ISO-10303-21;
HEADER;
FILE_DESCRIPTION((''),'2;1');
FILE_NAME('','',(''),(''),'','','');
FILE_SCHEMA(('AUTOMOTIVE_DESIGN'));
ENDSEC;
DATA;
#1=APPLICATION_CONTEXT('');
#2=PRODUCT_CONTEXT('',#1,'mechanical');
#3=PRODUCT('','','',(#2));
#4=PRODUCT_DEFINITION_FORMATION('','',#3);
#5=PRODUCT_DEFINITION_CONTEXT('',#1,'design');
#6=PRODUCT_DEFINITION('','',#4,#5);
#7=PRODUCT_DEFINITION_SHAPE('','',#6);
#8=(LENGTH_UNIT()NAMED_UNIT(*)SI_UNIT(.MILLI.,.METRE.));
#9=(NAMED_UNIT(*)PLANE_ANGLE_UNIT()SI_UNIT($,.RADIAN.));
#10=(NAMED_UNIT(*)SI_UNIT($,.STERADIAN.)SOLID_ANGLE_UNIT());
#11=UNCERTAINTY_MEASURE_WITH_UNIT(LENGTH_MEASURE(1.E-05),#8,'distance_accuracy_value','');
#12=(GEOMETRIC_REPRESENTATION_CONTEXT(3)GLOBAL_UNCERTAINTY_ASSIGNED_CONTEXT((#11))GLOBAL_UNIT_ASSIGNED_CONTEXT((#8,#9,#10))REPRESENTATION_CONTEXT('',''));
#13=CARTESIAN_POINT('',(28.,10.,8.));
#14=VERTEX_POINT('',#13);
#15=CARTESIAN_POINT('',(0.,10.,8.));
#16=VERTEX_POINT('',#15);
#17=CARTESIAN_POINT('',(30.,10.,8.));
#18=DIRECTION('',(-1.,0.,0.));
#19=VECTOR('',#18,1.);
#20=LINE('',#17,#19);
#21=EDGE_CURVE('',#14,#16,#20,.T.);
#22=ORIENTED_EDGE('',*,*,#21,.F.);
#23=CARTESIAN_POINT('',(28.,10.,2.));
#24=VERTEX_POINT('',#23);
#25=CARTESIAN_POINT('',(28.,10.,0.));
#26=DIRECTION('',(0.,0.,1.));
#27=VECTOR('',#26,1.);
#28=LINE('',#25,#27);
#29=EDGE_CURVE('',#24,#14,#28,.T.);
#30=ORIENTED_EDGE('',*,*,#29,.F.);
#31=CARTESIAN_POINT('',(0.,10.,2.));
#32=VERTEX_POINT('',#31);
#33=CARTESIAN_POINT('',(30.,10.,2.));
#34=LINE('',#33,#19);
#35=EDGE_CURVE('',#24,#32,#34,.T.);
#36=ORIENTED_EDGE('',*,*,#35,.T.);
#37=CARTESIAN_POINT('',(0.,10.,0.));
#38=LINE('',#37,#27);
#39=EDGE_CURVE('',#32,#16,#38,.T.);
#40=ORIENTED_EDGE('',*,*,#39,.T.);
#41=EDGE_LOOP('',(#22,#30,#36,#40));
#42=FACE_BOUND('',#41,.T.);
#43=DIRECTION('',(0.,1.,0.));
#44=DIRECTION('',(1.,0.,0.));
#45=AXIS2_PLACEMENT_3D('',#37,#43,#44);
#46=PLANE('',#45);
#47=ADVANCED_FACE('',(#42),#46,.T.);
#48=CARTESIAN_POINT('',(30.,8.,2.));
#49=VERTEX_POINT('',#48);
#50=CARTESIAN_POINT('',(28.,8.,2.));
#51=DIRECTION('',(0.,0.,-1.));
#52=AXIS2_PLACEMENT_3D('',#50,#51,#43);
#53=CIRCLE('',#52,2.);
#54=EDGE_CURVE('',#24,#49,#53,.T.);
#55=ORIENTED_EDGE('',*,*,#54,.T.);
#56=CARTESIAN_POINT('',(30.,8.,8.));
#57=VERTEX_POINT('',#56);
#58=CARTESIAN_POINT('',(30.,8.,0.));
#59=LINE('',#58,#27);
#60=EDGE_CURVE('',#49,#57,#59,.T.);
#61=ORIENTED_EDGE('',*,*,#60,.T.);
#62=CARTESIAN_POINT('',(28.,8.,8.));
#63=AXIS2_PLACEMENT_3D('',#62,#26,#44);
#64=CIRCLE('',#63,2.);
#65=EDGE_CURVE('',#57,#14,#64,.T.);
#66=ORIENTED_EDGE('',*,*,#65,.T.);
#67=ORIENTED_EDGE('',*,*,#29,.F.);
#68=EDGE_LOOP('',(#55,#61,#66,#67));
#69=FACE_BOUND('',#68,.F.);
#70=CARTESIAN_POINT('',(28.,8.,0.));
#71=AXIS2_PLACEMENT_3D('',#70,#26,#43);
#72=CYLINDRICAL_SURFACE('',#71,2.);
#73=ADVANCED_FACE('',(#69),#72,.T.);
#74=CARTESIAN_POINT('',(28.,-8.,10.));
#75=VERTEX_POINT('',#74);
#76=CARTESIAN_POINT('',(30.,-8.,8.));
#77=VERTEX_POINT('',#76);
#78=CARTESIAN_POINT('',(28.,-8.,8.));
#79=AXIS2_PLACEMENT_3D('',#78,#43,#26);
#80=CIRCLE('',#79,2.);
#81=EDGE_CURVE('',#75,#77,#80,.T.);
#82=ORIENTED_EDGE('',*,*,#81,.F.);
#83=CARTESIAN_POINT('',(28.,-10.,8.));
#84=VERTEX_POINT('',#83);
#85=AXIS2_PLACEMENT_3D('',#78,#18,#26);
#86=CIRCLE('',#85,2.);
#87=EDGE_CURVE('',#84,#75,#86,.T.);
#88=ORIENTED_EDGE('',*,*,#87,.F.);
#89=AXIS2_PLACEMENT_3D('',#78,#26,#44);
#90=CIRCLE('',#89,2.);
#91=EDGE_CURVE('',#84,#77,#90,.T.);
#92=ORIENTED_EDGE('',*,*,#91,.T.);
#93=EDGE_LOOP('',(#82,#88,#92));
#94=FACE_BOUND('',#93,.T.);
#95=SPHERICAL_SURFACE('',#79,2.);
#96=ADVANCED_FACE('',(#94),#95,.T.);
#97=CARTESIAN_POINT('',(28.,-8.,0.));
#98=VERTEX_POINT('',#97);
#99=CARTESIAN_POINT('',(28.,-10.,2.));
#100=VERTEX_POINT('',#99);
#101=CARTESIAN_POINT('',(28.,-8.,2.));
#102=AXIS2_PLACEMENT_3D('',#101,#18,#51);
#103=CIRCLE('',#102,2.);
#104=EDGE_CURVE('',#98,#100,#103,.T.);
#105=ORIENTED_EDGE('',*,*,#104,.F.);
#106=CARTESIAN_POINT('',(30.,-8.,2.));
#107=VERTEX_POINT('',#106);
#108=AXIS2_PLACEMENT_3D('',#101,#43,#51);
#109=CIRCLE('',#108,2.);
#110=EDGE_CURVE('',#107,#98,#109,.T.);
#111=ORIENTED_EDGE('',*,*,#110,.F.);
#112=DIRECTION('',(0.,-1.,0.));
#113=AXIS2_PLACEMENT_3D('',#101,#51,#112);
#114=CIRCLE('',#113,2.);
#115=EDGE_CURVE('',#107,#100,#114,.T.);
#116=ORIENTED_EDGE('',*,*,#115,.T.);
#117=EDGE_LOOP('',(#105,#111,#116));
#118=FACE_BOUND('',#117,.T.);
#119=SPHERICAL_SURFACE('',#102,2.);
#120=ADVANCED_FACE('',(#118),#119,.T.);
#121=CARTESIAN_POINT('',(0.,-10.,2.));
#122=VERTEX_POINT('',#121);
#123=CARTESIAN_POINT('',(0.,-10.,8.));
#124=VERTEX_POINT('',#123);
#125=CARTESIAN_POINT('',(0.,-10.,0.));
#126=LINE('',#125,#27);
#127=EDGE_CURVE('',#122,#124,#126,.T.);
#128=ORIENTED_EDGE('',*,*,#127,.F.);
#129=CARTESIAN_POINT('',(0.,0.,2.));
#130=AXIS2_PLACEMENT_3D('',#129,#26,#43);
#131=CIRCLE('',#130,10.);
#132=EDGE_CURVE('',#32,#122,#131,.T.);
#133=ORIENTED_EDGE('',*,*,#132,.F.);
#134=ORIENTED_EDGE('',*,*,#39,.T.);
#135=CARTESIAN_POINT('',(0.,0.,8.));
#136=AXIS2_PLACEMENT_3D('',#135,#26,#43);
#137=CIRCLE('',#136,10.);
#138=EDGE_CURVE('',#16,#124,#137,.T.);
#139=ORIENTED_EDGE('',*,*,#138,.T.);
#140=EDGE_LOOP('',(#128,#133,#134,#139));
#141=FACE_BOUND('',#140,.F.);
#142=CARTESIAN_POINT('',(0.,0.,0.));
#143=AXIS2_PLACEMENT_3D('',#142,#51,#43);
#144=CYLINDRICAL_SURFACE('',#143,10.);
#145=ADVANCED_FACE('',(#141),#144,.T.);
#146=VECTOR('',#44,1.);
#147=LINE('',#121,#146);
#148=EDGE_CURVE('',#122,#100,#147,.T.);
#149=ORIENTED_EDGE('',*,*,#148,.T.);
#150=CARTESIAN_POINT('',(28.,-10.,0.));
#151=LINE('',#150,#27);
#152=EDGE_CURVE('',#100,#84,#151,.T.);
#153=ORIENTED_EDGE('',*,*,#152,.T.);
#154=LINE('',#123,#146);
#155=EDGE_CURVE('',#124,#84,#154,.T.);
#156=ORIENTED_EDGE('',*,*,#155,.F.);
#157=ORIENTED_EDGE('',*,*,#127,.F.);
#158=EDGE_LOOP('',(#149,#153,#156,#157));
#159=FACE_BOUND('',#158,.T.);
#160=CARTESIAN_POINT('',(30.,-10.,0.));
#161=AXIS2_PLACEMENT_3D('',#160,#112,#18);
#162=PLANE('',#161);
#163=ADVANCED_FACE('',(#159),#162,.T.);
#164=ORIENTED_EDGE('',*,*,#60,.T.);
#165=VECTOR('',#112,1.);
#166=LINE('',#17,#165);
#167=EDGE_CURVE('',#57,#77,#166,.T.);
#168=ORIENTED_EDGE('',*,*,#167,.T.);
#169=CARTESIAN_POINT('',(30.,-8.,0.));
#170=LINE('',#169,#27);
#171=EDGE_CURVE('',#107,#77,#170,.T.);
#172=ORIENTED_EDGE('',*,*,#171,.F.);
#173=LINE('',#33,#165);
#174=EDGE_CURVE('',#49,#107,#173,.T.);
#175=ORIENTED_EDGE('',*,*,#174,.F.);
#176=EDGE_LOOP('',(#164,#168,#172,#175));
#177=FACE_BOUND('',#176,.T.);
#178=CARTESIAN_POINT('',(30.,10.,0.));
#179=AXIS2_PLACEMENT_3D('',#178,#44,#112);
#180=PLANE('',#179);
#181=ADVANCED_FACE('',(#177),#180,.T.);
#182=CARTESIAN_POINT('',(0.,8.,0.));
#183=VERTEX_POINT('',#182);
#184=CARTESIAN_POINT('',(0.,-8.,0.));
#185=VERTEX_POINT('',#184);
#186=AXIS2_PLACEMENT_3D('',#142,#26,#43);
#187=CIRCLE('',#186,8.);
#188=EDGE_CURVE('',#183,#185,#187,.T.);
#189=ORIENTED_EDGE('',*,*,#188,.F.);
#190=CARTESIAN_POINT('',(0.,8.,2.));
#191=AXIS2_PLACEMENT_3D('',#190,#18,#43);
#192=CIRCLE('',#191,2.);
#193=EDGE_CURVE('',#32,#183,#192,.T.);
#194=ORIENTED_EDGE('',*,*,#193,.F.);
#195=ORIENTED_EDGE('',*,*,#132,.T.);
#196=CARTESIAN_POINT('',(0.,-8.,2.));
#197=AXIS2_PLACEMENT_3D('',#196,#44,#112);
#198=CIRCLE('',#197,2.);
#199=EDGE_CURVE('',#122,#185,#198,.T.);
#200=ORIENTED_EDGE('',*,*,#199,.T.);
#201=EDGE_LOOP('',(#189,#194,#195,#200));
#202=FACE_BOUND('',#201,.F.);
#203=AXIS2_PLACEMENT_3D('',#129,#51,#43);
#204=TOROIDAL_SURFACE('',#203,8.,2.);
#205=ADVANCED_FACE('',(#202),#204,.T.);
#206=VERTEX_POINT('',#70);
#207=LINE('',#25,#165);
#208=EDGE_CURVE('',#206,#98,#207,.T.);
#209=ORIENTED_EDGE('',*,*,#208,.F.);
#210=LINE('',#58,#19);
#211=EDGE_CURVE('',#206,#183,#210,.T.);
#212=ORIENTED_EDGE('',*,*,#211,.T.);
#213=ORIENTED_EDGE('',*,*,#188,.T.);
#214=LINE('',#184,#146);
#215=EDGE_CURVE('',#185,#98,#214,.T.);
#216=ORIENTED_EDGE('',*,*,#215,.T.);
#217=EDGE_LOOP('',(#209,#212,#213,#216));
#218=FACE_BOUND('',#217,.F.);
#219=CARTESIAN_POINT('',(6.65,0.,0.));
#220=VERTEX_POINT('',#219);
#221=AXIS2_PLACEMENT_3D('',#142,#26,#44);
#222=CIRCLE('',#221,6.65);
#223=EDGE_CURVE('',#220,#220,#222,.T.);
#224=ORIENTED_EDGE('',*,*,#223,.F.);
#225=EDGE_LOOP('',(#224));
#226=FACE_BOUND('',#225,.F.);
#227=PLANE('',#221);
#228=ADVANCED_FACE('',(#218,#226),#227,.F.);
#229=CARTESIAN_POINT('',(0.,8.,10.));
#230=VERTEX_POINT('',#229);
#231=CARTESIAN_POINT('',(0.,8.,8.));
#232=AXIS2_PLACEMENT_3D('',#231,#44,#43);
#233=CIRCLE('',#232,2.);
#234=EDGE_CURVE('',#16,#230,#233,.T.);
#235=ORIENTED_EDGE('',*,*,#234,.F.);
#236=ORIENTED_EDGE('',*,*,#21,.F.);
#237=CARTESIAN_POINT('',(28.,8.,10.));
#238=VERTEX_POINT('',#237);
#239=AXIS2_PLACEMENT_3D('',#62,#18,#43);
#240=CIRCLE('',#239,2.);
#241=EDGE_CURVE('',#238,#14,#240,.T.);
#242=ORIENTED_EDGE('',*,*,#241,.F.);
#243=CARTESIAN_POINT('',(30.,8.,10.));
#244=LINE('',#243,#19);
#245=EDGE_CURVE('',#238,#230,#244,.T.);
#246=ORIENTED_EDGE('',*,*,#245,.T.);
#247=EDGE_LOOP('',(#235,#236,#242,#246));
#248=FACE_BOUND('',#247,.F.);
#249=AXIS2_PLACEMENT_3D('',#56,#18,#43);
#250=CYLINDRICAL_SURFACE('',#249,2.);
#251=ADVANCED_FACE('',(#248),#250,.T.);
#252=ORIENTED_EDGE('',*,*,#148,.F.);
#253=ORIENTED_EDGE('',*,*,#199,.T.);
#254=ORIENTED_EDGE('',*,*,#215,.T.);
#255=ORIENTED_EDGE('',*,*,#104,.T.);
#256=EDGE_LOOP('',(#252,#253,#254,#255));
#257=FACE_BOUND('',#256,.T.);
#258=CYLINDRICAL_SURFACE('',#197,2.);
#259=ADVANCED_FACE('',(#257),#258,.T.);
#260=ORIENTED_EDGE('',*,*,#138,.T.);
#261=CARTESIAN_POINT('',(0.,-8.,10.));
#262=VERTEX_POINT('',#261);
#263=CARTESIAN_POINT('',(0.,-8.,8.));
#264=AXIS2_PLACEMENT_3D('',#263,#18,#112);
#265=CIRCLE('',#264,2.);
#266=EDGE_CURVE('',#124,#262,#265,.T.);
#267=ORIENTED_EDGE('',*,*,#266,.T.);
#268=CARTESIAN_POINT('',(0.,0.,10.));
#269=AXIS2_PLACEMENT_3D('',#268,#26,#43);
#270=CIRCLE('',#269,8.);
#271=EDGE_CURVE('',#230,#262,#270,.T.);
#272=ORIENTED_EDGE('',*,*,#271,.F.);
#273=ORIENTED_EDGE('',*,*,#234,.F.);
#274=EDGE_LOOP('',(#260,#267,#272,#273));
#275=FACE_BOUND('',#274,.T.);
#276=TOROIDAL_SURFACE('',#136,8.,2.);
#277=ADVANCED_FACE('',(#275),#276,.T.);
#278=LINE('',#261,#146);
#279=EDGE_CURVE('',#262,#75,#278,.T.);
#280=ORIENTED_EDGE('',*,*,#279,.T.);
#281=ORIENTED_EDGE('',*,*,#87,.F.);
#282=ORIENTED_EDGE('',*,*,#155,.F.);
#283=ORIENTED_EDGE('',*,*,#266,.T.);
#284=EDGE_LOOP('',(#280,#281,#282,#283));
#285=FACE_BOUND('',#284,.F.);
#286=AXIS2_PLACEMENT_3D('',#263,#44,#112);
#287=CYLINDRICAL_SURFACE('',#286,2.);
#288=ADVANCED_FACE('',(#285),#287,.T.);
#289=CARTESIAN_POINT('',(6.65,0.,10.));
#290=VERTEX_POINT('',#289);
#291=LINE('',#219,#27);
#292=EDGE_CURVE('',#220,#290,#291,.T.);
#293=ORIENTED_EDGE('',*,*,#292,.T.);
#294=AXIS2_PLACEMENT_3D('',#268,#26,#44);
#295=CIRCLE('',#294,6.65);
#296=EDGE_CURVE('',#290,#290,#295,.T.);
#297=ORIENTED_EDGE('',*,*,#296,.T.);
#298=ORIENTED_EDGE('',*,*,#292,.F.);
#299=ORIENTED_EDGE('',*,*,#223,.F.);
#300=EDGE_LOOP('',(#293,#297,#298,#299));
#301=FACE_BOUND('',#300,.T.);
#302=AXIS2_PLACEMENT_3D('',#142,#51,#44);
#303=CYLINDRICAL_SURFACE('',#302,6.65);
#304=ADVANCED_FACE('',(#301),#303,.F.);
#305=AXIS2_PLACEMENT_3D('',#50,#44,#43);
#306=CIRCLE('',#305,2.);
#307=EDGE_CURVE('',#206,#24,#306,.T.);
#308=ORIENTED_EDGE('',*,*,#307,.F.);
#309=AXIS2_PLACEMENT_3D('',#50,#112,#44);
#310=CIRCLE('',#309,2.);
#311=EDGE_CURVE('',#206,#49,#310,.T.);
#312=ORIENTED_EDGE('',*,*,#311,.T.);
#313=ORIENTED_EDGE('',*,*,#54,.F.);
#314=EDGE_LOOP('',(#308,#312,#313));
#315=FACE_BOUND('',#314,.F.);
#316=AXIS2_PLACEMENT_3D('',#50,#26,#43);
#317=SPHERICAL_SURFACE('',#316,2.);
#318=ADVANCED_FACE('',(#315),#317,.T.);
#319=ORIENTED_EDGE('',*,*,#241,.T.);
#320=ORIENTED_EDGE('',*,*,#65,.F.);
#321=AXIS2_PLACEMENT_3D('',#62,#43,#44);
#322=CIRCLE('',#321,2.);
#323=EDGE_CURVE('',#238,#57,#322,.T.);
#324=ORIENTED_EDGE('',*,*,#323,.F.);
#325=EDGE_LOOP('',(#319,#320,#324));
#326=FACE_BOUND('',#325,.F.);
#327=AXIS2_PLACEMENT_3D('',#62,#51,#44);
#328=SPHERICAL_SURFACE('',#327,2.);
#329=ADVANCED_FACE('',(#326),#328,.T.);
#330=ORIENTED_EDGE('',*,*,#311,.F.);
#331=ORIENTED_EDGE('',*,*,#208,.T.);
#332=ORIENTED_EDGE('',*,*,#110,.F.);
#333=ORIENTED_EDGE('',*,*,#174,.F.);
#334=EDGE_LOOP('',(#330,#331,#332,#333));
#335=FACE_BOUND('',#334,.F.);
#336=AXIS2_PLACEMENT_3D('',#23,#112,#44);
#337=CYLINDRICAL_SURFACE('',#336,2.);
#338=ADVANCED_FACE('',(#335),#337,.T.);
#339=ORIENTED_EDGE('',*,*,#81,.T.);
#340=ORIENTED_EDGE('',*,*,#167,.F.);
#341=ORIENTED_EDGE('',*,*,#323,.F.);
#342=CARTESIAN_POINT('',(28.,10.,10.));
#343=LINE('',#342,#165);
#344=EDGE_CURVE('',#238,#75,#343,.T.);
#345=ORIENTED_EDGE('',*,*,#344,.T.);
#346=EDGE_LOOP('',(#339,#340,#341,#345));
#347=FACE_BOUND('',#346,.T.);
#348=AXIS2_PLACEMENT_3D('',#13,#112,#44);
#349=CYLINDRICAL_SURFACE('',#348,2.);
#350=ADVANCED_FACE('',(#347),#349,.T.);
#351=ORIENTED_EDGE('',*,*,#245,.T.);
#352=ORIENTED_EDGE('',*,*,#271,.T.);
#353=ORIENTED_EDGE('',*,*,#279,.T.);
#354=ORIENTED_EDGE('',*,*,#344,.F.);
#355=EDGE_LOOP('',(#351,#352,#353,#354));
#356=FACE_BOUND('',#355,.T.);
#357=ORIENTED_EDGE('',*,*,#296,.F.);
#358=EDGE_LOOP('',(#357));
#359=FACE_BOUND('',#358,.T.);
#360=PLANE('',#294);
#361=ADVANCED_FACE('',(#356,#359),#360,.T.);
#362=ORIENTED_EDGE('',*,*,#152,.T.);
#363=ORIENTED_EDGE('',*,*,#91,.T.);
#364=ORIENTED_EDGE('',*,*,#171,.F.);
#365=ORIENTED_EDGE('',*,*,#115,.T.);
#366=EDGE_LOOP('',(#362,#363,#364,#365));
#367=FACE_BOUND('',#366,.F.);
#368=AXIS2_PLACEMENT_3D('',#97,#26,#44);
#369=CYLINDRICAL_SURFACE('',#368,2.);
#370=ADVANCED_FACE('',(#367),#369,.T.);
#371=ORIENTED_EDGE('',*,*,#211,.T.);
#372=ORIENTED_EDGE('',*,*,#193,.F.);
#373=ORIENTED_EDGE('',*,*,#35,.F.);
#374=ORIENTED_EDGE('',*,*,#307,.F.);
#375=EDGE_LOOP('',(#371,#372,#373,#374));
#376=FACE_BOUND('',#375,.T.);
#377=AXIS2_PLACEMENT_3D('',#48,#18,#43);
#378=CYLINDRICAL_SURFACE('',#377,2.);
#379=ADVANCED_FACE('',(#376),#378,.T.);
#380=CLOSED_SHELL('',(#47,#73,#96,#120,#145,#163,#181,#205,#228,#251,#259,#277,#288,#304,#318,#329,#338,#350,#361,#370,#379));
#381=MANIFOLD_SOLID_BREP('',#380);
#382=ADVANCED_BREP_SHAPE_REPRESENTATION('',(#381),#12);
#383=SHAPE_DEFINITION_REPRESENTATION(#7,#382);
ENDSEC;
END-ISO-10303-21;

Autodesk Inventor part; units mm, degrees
ref_plane "YZ Plane" through (0, 0, 0) normal (1, 0, 0) x (0, 1, 0)
ref_plane "XZ Plane" through (0, 0, 0) normal (0, 1, 0) x (-1, 0, 0)
ref_plane "XY Plane" through (0, 0, 0) normal (0, 0, 1) x (1, 0, 0)
sketch "Sketch1" plane through (0, 0, 0) normal (0, 0, 1) x (1, 0, 0)
  circle A0 centre (0, 0) radius 6.65
  arc A1 (0, 10) -> (0, -10) centre (0, 0) ccw
  line L0 (0, 10) -> (30, 10)
  line L1 (30, 10) -> (30, -10)
  line L2 (30, -10) -> (0, -10)
  dimension "d0" = 13.3
  dimension "d2" = 20
  dimension "d3" = 30
  dimension "d4" = 20
extrude "Extrusion1" add sketch "Sketch1" along normal blind 10
fillet "Fillet1" radius 2 10 edges at (30, 10, 5) (30, 0, 10) (-10, 0, 10) (15, -10, 10) (15, 10, 10) (-10, 0, 0) (15, -10, 0) (15, 10, 0) (30, 0, 0) (30, -10, 5)
